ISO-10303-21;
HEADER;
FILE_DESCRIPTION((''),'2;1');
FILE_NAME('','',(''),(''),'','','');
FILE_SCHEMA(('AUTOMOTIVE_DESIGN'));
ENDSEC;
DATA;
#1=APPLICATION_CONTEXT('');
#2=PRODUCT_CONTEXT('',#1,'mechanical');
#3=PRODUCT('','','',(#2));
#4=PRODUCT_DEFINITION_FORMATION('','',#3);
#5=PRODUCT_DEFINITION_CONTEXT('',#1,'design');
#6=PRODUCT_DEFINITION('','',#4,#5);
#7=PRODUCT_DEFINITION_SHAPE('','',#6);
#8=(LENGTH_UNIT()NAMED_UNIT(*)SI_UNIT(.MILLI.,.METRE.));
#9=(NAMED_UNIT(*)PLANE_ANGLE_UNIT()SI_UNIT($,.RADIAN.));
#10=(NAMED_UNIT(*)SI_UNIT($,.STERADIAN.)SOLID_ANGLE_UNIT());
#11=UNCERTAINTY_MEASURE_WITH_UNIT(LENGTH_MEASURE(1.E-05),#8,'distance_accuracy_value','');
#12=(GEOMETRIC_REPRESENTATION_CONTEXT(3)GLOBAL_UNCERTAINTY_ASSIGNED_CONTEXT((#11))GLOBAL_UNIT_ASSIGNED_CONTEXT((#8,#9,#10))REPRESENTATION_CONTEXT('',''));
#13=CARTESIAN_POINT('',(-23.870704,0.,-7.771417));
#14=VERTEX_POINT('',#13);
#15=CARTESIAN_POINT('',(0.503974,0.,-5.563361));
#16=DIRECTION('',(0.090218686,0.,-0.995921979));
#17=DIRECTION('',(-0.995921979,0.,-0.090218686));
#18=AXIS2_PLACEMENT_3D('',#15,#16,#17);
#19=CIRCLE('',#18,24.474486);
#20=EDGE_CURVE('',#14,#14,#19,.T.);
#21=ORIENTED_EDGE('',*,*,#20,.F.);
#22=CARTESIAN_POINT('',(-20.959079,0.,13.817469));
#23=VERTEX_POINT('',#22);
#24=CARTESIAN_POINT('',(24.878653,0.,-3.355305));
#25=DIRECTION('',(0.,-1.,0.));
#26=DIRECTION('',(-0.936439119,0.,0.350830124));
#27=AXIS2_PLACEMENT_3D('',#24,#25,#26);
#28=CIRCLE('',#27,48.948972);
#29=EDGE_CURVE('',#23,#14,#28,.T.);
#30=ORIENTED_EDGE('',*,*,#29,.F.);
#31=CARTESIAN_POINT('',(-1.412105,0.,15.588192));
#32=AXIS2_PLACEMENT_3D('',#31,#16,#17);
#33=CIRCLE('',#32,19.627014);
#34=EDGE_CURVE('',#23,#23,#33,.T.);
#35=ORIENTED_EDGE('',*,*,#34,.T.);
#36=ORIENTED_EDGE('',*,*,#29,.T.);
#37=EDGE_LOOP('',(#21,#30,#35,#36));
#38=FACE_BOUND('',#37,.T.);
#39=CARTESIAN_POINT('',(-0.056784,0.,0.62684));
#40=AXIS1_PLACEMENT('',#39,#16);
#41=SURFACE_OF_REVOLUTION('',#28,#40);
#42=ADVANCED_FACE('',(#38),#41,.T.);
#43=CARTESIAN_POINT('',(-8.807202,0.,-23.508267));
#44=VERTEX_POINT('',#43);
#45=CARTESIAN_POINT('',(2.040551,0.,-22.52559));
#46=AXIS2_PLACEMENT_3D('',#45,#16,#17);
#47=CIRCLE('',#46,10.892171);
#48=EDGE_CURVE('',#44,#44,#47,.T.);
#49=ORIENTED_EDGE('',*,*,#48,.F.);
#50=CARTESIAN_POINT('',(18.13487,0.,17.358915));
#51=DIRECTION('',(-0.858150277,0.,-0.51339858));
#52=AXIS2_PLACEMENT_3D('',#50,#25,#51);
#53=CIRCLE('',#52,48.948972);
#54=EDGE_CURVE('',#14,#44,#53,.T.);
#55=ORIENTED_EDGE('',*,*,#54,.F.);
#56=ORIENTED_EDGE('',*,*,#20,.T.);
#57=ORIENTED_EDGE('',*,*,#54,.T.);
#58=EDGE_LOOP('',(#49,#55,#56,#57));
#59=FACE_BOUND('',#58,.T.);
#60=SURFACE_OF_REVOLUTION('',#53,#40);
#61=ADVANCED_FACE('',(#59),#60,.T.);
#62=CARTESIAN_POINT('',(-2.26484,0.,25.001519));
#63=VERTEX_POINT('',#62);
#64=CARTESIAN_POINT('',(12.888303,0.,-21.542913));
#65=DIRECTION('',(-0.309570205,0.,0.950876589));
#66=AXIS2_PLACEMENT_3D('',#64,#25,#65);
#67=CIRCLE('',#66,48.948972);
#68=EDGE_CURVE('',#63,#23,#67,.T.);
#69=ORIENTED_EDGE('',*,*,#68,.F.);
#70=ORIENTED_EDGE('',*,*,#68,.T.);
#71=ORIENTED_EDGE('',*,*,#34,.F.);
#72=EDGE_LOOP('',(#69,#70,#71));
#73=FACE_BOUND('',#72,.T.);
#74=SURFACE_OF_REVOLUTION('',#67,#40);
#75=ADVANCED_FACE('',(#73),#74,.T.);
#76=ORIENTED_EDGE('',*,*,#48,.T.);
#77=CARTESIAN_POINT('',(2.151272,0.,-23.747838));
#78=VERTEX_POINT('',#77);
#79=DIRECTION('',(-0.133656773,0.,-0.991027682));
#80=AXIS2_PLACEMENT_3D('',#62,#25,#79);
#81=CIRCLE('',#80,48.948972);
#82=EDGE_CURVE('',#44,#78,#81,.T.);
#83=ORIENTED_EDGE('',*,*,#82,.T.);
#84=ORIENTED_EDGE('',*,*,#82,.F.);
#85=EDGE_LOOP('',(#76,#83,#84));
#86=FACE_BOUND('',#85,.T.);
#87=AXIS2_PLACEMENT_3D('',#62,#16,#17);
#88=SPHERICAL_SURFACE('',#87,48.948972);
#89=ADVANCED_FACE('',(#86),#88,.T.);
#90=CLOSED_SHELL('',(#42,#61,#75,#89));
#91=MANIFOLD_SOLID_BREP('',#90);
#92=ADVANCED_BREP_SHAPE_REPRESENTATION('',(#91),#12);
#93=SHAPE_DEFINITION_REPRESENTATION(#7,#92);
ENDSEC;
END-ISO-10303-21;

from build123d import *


with BuildPart() as f1:
    # F0 (on Front) → F1 (revolve)
    with BuildSketch(Plane.XZ):
        with BuildLine():
            ThreePointArc((-20.9590792415, 13.8174685486), (-23.6311332791, 3.1870563062), (-23.8707040827, -7.771417267))
            ThreePointArc((-23.8707040827, -7.771417267), (-17.2255115624, -16.4884668591), (-8.807201876, -23.5082673725))
            ThreePointArc((-8.807201876, -23.5082673725), (-3.3346920933, -23.935760112), (2.1512716971, -23.7478381761))
            Line((2.1512716971, -23.7478381761), (-2.2648402441, 25.0015187221))
            ThreePointArc((-2.2648402441, 25.0015187221), (-12.2420296493, 20.4626610688), (-20.9590792415, 13.8174685486))
        make_face()
    revolve(axis=Axis((-0.0567842735, 0, 0.626840273), (0.0902186865, 0, -0.9959219792)))


solid = f1.part
